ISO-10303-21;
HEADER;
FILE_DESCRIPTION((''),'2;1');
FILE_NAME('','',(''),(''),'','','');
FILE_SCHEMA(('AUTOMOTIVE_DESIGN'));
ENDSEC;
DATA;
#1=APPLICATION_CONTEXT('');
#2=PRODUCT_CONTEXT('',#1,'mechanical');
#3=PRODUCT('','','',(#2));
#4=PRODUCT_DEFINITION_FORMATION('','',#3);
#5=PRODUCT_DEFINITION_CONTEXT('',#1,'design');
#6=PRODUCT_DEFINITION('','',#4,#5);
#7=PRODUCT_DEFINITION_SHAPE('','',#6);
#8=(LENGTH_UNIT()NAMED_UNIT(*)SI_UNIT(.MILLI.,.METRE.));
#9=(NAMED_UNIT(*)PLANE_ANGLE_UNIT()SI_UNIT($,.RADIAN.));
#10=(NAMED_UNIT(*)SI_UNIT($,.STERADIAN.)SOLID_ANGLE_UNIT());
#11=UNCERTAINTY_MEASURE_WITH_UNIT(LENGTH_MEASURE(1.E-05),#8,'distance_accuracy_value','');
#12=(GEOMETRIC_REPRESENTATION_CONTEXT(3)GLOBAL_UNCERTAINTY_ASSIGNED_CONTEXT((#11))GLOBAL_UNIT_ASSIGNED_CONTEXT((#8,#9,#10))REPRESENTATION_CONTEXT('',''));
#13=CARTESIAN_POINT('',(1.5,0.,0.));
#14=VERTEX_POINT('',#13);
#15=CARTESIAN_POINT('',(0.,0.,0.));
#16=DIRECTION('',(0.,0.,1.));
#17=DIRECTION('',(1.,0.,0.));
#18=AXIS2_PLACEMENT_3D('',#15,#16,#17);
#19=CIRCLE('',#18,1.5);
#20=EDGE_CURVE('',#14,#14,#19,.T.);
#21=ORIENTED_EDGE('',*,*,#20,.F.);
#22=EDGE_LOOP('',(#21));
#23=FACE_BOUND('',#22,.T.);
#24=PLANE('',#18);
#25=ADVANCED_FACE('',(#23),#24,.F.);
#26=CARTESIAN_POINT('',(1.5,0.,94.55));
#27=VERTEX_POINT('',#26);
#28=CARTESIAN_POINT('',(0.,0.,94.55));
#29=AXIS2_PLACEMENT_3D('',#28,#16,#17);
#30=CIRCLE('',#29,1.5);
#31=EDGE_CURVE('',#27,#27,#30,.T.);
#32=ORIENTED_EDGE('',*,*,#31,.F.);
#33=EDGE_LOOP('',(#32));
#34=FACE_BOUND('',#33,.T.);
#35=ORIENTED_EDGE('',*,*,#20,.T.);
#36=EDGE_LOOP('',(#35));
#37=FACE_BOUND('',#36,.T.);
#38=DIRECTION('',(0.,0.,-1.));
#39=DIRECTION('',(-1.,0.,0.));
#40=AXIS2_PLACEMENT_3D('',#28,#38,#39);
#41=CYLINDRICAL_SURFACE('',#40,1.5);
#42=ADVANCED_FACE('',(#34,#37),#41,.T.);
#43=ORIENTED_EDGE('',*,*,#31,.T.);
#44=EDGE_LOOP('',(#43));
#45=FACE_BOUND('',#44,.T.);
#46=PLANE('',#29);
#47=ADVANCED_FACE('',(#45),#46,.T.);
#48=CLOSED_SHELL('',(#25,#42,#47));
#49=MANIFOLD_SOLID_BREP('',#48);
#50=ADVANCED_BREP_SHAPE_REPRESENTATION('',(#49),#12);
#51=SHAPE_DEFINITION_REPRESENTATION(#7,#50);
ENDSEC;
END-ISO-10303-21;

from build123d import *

# Parameters (mm, degrees)
SKETCH_1_R        = 1.5
EXTRUDE_203_DEPTH = 94.55


with BuildPart() as part:
    # 草图1 → Extrude 203 (new body)
    with BuildSketch(Plane.XY):
        Circle(SKETCH_1_R)
    extrude(amount=EXTRUDE_203_DEPTH)


solid = part.part
